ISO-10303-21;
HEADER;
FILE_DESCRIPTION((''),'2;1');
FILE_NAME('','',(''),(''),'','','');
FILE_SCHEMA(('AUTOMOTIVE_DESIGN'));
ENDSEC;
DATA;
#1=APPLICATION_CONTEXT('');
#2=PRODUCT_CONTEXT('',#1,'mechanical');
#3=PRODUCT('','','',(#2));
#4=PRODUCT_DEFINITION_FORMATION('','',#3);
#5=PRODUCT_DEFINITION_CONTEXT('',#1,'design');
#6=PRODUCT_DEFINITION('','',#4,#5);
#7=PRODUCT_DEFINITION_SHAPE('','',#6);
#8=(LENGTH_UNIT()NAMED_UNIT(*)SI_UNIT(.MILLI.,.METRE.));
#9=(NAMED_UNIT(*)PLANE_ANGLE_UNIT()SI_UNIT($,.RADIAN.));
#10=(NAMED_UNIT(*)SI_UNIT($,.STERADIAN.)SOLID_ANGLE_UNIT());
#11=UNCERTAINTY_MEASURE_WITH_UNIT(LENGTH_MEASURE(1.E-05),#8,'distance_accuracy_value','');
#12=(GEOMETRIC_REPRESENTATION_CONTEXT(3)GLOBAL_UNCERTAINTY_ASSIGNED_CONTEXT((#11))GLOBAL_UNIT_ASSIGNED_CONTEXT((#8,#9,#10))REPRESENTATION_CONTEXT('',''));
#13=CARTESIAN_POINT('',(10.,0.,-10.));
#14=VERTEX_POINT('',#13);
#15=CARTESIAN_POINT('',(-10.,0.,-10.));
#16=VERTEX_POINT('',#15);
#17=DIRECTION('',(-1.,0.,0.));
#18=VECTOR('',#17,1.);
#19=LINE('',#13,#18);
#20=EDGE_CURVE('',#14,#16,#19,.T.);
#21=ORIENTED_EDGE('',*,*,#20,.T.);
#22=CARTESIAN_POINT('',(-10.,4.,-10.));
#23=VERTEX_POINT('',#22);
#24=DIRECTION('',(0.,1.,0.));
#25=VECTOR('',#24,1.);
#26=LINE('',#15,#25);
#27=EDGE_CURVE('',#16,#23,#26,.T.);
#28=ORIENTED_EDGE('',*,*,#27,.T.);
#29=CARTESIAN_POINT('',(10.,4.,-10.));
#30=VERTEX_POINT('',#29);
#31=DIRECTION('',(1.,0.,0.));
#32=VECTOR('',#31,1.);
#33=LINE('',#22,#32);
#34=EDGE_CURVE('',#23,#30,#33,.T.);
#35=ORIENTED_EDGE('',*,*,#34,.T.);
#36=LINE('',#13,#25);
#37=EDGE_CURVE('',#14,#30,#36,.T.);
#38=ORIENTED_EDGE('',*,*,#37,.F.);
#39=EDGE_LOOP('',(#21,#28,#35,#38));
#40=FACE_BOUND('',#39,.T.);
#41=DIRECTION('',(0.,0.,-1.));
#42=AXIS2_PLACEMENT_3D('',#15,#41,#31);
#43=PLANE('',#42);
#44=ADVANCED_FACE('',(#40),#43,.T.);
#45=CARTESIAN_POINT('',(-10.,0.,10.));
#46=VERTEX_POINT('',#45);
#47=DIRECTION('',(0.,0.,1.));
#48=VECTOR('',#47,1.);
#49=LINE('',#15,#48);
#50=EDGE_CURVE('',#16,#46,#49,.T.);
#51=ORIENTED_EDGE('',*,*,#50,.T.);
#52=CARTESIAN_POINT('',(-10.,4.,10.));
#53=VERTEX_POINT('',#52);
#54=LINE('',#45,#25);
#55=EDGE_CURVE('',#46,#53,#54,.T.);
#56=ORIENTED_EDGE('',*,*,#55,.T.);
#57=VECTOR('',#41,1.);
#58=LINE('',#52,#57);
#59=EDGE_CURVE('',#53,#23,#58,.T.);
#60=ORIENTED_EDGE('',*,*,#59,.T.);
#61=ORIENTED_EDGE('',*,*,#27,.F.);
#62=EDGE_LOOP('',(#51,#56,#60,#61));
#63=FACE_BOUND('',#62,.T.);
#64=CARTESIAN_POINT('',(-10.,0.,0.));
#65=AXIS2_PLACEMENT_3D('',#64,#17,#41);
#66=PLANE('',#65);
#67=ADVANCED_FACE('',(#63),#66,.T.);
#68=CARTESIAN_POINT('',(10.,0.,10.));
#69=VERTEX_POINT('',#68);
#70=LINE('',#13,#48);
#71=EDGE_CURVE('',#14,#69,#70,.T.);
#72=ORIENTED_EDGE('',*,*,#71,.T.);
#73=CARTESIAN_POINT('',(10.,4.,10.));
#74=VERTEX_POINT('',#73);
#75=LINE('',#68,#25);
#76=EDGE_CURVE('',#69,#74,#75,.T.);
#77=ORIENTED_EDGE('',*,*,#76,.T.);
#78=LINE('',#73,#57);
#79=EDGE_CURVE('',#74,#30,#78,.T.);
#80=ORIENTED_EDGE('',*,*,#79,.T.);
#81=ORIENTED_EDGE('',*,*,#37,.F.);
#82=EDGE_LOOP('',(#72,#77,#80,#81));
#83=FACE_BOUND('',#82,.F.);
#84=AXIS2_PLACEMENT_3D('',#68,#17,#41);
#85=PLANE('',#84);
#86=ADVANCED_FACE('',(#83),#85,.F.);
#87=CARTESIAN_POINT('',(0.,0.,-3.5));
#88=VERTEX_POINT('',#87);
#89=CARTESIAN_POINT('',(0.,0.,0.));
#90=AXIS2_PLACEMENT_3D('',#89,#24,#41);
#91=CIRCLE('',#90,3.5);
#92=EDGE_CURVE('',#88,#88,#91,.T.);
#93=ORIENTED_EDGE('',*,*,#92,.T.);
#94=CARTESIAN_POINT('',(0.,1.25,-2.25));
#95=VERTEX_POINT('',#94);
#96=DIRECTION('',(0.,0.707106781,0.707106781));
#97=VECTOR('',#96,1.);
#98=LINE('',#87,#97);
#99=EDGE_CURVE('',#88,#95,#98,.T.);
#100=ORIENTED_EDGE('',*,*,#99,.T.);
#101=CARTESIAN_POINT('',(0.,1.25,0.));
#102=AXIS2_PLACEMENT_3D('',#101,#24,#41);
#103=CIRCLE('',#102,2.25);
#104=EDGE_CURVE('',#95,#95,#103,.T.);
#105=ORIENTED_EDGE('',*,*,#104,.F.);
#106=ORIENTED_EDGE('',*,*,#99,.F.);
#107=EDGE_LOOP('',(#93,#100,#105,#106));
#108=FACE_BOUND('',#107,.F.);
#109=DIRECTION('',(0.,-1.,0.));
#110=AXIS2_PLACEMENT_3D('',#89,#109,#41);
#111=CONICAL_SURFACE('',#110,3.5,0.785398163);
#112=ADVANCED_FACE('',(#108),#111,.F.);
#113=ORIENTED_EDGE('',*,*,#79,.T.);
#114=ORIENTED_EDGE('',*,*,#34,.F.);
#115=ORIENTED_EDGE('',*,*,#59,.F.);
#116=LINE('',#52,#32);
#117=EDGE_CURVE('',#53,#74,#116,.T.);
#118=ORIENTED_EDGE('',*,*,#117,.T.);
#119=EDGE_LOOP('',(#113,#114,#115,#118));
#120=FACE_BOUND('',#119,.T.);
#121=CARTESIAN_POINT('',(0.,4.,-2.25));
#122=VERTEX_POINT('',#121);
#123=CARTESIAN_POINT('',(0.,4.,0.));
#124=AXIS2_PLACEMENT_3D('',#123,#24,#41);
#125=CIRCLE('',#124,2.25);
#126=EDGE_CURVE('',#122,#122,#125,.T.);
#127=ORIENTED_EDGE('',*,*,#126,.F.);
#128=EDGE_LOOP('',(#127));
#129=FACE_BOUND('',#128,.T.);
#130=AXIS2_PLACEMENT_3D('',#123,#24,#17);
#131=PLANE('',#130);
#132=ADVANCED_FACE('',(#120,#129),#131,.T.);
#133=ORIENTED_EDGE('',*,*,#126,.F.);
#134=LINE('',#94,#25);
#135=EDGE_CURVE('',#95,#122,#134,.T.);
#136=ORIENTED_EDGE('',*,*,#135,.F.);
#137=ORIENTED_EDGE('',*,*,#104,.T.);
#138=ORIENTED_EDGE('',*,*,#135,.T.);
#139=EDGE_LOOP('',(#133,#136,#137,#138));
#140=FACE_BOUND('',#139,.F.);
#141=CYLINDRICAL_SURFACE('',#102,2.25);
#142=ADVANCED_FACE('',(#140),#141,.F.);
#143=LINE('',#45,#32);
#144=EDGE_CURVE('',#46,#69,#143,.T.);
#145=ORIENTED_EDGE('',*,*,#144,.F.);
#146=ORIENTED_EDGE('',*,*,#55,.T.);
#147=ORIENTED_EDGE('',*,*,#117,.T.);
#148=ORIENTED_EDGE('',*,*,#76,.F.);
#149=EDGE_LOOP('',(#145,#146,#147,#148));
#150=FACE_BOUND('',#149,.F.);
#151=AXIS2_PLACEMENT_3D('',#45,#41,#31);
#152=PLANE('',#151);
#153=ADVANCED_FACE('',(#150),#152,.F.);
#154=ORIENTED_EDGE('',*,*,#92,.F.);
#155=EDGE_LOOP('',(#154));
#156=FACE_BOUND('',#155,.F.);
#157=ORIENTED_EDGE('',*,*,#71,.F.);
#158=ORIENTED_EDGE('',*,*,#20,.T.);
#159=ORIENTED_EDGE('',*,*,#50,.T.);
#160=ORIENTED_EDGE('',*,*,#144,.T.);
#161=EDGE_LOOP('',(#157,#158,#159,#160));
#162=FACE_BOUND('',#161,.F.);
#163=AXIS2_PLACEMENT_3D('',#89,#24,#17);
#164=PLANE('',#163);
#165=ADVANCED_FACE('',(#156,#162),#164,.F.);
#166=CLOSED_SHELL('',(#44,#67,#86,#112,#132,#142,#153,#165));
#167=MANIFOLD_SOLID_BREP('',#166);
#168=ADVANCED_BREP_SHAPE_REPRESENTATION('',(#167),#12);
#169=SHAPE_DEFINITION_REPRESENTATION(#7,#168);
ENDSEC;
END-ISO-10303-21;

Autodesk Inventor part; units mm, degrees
ref_plane "YZ Plane" through (0, 0, 0) normal (1, 0, 0) x (0, 1, 0)
ref_plane "XZ Plane" through (0, 0, 0) normal (0, 1, 0) x (-1, 0, 0)
ref_plane "XY Plane" through (0, 0, 0) normal (0, 0, 1) x (1, 0, 0)
sketch "Schizzo1" plane through (0, 0, 0) normal (0, 1, 0) x (-1, 0, 0)
  circle A0 centre (0, 0) radius 1
  line L0 (10, 0) -> (10, -10)
  line L1 (10, -10) -> (0, -10)
  line L2 (-10, 0) -> (-10, -10)
  line L3 (-10, -10) -> (0, -10)
  line L4 (10, 0) -> (10, 10)
  line L5 (10, 10) -> (-10, 10)
  line L6 (-10, 10) -> (-10, 0)
  dimension "d2" = 2
  dimension "d12" = 10
  dimension "d13" = 10
  dimension "d14" = 10
  dimension "d15" = 10
extrude "Estrusione2" add sketch "Schizzo1" along normal blind 4
sketch "Schizzo3" plane through (0, 0, 0) normal (0, -1, 0) x (1, 0, 0)
  point P0 (0, 0)
  point P1 (0, 0)
hole "Foro2" at (0, 0, 0) direction (0, 1, 0) diameter 4.5 depth 8 countersink diameter 7 countersink angle 90
properties part number "Fissante"
